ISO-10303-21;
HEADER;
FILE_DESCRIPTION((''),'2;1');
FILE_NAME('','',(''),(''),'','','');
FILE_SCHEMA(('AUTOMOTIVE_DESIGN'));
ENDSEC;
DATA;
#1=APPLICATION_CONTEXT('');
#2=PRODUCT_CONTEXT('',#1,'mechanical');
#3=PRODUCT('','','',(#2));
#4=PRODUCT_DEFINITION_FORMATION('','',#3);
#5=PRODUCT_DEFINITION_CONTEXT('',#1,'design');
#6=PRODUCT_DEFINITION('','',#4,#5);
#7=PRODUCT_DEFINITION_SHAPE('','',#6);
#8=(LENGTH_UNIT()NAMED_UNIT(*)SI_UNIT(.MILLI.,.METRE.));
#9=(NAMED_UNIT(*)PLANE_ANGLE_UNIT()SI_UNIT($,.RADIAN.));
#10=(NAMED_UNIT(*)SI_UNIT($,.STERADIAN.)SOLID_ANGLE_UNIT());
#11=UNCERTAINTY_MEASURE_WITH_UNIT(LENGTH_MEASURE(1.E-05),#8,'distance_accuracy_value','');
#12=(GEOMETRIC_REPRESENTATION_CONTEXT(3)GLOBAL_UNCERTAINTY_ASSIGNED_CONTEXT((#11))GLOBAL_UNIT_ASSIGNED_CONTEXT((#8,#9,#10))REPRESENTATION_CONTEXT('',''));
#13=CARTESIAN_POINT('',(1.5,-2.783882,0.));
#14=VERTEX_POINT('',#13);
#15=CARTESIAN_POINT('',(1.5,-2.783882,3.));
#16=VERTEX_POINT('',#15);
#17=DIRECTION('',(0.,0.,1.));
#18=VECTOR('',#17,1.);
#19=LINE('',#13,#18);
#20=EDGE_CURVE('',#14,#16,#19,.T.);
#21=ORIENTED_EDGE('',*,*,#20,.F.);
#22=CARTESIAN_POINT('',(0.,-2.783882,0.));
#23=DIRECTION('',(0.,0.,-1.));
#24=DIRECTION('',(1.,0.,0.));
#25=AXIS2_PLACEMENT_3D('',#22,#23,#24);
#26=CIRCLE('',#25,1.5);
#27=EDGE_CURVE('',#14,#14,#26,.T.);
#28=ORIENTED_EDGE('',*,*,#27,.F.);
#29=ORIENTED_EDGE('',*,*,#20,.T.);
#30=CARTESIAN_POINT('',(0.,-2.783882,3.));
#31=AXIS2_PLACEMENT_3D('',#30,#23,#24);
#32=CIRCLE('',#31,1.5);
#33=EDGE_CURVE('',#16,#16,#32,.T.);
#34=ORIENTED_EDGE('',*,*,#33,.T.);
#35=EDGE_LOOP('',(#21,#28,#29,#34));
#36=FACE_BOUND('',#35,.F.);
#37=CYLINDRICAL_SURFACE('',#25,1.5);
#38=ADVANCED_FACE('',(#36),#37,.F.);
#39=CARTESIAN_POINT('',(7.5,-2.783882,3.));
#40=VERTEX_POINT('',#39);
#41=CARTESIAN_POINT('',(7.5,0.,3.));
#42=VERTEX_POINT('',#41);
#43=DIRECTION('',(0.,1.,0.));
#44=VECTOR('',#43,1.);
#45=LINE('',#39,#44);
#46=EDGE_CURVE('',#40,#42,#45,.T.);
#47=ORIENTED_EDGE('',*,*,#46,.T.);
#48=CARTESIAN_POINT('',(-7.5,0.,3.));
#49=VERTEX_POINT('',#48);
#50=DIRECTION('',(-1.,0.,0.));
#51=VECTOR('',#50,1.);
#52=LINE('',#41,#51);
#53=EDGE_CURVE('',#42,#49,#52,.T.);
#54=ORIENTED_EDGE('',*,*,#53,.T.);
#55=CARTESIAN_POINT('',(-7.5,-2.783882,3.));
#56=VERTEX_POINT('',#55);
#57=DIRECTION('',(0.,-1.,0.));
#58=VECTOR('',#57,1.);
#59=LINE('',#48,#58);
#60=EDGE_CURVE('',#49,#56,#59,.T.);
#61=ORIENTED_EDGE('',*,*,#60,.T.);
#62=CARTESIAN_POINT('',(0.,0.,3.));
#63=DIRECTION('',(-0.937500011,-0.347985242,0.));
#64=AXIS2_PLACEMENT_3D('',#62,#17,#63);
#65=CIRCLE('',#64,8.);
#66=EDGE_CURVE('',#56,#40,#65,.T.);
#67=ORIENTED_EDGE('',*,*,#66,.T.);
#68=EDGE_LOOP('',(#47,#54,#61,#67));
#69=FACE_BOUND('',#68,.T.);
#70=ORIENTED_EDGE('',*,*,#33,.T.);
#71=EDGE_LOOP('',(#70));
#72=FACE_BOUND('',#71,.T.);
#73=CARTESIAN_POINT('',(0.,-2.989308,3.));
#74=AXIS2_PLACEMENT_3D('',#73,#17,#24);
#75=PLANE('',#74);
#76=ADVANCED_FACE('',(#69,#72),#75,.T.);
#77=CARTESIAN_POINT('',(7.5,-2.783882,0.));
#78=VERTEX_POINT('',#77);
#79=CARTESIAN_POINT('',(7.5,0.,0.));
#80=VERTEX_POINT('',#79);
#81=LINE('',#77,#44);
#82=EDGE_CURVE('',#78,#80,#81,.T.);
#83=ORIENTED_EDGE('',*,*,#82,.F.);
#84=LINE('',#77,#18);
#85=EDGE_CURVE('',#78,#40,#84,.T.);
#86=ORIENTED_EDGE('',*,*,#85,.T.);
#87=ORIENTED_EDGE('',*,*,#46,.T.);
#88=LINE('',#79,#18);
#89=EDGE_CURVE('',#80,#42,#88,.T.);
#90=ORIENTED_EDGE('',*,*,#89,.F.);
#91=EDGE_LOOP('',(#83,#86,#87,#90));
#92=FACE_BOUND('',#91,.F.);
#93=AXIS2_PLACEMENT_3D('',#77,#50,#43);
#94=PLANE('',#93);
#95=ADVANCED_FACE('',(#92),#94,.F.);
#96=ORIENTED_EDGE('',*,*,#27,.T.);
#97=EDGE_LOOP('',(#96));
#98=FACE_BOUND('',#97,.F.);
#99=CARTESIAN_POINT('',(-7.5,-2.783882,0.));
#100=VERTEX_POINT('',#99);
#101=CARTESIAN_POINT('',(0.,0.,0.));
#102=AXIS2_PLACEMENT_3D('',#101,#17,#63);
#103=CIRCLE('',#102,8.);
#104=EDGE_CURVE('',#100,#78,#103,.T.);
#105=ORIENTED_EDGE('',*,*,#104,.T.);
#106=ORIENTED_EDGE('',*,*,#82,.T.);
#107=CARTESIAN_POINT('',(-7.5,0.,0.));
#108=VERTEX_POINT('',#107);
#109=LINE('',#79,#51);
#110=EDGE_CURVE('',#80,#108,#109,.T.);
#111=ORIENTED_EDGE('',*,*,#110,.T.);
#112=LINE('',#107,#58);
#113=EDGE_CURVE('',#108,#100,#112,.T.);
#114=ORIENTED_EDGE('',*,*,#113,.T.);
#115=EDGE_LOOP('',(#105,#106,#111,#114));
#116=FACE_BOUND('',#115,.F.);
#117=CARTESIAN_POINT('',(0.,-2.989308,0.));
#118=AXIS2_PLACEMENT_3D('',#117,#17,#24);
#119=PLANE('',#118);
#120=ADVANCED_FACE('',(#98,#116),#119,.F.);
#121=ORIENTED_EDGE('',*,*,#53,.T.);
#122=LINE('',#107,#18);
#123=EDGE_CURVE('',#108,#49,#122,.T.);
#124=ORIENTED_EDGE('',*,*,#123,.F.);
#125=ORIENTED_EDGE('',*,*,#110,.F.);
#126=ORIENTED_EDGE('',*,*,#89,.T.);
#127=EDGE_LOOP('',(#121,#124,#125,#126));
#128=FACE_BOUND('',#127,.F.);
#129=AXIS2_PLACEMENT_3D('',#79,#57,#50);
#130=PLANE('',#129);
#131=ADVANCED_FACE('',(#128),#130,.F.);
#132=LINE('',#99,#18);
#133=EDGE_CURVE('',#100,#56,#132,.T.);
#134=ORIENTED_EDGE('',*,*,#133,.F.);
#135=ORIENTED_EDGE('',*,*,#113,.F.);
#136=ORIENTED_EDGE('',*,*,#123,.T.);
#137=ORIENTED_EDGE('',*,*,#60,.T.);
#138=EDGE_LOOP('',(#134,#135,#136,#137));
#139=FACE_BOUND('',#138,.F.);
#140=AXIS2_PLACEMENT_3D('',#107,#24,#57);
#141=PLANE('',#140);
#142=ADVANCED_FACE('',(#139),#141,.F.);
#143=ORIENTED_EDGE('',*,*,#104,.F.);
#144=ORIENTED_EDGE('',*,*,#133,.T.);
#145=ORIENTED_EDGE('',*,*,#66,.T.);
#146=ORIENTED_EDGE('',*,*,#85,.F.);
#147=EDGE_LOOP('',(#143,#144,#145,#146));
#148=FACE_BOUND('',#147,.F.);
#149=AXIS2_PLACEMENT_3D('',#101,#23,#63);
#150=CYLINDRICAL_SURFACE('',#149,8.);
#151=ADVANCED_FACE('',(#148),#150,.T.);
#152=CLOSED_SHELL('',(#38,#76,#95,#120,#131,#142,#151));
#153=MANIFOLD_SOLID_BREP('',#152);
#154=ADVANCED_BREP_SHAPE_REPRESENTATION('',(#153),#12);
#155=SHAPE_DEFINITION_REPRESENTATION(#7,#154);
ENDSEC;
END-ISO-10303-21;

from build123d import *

# Parameters (mm, degrees)
F1_DEPTH = 3
F2_R     = 1.5
F3_DEPTH = 5


with BuildPart() as f1:
    # F0 (on Top) → F1 (new body)
    with BuildSketch(Plane.XY):
        with BuildLine():
            Line((-7.5, 0), (-7.5, -2.783882))
            ThreePointArc((-7.5, -2.783882), (0, -8), (7.5, -2.783882))
            Line((7.5, -2.783882), (7.5, 0))
            Line((7.5, 0), (-7.5, 0))
        make_face()
    extrude(amount=F1_DEPTH)

    # F2 (on face) → F3 (cut)
    with BuildSketch(Plane(origin=(0, 0, 0), x_dir=(1, 0, 0), z_dir=(0, 0, -1))):
        with Locations((0, 2.783882)):
            Circle(F2_R)
    extrude(amount=-F3_DEPTH, mode=Mode.SUBTRACT)


solid = f1.part
